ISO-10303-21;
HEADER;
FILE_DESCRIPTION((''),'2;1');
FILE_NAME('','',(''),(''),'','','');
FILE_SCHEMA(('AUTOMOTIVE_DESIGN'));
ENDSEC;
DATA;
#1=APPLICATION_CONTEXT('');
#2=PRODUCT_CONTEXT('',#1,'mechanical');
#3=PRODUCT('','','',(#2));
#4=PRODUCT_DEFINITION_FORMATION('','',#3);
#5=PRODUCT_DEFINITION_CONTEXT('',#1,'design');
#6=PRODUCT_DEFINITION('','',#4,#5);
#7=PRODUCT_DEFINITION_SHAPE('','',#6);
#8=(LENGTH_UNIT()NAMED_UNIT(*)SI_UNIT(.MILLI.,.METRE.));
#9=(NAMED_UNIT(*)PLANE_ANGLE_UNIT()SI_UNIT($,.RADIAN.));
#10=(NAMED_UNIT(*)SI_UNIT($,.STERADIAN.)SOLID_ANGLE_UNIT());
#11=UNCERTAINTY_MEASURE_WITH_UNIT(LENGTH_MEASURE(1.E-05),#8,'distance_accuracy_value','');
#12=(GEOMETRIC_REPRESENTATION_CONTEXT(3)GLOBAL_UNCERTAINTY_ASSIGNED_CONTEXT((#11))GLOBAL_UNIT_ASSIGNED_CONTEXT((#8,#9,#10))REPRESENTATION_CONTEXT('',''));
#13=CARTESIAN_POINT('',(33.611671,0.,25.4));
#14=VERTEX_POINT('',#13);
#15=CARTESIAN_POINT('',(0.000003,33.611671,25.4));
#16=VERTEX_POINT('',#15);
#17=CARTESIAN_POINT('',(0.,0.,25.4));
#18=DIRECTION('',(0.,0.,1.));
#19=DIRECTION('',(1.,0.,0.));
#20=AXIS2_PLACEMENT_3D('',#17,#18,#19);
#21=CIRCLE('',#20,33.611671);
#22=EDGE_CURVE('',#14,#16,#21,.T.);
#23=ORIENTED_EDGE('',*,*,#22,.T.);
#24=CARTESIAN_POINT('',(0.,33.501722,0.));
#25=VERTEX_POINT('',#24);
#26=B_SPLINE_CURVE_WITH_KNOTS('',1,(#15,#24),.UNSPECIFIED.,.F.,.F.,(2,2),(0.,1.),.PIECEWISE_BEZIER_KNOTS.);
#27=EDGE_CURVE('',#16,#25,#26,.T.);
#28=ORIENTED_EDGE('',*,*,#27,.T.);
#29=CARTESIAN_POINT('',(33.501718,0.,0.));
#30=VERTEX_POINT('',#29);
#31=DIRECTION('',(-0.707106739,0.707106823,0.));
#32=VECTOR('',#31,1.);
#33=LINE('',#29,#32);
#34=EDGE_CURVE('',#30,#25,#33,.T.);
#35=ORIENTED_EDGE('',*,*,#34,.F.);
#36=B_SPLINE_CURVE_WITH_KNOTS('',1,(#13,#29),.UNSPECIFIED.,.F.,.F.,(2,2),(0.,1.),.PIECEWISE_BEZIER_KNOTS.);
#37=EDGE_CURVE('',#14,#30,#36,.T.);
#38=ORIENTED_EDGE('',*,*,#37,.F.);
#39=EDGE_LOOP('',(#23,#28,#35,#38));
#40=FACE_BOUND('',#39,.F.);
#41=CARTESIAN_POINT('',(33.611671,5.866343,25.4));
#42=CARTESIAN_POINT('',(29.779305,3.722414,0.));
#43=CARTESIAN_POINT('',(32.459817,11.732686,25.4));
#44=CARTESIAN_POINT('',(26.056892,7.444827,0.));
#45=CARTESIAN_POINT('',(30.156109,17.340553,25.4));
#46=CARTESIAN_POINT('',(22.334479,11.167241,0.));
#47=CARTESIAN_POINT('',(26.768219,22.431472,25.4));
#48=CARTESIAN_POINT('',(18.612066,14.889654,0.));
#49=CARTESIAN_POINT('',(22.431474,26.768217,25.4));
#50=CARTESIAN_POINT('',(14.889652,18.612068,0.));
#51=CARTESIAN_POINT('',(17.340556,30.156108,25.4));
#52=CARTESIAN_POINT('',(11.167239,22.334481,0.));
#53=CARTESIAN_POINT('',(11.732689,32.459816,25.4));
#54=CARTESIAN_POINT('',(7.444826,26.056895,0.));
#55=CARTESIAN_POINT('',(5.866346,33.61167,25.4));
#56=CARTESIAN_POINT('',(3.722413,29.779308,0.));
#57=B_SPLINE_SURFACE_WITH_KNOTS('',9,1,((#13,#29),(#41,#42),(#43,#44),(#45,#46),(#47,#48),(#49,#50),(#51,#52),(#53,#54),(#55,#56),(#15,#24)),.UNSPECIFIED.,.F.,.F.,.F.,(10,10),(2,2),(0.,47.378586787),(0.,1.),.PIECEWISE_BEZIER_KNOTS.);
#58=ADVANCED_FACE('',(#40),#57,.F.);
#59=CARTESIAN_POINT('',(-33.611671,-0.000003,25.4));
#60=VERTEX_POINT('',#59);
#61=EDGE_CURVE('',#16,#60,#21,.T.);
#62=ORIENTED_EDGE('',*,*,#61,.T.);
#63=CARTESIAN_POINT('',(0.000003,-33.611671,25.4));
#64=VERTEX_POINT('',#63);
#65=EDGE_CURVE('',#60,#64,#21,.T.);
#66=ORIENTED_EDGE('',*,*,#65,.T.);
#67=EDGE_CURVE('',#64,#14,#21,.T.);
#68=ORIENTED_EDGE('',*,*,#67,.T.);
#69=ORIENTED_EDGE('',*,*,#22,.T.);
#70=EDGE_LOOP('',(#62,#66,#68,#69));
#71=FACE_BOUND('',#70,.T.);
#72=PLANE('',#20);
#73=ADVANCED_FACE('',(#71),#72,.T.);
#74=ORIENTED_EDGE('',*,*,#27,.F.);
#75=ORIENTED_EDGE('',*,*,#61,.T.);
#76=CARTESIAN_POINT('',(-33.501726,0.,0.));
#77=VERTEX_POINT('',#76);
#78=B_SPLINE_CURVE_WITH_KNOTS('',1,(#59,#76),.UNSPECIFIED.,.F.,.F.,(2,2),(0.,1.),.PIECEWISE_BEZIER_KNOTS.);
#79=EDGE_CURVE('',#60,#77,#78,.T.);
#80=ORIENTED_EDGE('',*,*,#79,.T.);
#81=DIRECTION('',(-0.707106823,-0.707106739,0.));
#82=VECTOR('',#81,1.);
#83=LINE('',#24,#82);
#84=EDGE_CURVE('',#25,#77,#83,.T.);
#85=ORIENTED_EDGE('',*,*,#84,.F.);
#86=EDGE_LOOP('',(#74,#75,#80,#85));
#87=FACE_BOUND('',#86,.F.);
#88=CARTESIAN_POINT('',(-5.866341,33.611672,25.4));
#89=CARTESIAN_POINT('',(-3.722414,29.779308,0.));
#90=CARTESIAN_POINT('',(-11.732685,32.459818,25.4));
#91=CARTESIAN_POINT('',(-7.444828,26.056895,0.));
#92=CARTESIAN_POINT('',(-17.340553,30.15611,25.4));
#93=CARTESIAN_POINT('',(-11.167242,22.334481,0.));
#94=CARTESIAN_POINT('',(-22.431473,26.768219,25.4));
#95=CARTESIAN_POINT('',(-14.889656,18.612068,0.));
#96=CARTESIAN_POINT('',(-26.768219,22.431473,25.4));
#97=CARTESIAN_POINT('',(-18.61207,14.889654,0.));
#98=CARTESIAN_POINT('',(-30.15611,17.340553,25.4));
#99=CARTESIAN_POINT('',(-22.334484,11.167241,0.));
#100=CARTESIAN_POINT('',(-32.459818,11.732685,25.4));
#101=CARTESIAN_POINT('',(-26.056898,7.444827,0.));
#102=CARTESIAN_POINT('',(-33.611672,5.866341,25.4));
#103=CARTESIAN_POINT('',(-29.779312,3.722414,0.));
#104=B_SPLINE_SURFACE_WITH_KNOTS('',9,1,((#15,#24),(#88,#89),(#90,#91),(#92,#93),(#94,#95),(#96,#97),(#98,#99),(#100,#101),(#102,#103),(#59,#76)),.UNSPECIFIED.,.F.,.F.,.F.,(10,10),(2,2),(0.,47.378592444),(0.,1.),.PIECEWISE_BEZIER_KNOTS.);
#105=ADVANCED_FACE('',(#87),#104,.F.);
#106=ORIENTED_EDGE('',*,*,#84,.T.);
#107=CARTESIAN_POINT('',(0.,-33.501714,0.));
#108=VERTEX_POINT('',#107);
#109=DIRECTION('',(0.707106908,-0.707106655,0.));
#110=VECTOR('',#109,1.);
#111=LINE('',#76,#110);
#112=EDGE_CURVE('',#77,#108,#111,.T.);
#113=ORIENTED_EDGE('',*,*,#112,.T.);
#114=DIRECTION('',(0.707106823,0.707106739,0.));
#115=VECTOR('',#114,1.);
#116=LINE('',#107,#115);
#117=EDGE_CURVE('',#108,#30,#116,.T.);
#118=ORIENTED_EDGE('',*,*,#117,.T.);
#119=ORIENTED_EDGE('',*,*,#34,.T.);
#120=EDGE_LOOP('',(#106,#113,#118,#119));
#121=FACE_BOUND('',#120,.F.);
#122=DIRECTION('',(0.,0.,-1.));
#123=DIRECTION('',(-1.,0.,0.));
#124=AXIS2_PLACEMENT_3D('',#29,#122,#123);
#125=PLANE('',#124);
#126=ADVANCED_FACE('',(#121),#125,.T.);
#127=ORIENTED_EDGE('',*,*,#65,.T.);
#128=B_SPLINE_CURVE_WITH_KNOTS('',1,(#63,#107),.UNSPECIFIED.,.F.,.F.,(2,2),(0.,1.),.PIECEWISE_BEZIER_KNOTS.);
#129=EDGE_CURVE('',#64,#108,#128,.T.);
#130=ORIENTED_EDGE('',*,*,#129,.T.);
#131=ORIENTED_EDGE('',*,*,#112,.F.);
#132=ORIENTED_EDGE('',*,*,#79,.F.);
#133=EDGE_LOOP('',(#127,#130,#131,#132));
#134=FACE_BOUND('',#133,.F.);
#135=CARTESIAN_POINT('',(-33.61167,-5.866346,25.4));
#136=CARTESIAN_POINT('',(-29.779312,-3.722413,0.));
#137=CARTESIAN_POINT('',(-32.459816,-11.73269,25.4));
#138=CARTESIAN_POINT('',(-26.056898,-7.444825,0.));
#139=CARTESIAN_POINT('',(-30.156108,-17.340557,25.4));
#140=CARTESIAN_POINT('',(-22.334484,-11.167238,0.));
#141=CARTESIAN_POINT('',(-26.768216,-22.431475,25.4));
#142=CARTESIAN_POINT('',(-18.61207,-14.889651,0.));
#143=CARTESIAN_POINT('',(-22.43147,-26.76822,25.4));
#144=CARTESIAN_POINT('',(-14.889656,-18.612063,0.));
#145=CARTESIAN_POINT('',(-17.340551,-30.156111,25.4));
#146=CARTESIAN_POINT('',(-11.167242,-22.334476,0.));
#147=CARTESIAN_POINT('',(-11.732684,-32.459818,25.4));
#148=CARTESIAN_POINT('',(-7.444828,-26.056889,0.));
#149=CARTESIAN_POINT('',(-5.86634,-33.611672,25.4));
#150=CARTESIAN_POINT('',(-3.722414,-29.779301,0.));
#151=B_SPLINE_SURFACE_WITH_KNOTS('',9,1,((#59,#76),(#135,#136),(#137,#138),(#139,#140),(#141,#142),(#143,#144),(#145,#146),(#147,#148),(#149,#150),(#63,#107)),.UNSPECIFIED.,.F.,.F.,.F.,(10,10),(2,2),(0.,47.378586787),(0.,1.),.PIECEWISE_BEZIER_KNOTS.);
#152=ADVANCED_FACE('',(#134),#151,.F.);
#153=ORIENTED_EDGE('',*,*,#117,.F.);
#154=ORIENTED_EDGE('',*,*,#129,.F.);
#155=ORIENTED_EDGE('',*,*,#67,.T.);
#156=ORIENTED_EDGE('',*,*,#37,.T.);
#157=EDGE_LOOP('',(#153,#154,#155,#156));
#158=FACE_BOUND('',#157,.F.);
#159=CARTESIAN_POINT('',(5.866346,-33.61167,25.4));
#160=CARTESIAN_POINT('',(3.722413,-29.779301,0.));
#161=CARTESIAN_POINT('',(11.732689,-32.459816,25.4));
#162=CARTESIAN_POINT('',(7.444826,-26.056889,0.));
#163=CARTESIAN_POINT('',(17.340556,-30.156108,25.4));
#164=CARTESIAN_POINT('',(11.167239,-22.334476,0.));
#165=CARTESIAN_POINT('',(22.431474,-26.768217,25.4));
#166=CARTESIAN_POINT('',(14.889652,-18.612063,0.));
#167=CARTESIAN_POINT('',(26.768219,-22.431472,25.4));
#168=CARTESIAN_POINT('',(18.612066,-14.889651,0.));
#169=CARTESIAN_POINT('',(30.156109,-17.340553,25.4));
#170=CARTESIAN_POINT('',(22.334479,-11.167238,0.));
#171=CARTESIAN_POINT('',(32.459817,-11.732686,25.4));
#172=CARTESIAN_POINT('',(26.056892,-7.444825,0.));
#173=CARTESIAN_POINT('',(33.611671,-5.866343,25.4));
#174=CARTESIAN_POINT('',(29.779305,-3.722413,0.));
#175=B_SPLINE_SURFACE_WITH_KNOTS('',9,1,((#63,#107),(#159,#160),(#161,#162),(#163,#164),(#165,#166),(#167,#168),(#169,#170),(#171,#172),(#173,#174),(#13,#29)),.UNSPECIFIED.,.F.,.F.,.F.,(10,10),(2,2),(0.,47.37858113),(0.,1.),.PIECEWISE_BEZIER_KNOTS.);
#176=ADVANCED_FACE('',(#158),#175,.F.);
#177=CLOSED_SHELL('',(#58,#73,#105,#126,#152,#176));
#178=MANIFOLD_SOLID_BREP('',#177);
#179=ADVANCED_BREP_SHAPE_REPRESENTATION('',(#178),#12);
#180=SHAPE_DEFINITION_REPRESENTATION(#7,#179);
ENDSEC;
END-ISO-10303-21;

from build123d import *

# Parameters (mm, degrees)
F1_R = 33.611671


with BuildPart() as f3:
    # F1 (on offset) → F3 section 0
    with BuildSketch(Plane.XY.offset(25.4)):
        Circle(F1_R)
    # F2 (on Top) → F3 section 1
    with BuildSketch(Plane.XY):
        Polygon((0, 33.501722), (-33.501726, 0), (0, -33.501714), (33.501718, 0), align=None)
    loft()


solid = f3.part
